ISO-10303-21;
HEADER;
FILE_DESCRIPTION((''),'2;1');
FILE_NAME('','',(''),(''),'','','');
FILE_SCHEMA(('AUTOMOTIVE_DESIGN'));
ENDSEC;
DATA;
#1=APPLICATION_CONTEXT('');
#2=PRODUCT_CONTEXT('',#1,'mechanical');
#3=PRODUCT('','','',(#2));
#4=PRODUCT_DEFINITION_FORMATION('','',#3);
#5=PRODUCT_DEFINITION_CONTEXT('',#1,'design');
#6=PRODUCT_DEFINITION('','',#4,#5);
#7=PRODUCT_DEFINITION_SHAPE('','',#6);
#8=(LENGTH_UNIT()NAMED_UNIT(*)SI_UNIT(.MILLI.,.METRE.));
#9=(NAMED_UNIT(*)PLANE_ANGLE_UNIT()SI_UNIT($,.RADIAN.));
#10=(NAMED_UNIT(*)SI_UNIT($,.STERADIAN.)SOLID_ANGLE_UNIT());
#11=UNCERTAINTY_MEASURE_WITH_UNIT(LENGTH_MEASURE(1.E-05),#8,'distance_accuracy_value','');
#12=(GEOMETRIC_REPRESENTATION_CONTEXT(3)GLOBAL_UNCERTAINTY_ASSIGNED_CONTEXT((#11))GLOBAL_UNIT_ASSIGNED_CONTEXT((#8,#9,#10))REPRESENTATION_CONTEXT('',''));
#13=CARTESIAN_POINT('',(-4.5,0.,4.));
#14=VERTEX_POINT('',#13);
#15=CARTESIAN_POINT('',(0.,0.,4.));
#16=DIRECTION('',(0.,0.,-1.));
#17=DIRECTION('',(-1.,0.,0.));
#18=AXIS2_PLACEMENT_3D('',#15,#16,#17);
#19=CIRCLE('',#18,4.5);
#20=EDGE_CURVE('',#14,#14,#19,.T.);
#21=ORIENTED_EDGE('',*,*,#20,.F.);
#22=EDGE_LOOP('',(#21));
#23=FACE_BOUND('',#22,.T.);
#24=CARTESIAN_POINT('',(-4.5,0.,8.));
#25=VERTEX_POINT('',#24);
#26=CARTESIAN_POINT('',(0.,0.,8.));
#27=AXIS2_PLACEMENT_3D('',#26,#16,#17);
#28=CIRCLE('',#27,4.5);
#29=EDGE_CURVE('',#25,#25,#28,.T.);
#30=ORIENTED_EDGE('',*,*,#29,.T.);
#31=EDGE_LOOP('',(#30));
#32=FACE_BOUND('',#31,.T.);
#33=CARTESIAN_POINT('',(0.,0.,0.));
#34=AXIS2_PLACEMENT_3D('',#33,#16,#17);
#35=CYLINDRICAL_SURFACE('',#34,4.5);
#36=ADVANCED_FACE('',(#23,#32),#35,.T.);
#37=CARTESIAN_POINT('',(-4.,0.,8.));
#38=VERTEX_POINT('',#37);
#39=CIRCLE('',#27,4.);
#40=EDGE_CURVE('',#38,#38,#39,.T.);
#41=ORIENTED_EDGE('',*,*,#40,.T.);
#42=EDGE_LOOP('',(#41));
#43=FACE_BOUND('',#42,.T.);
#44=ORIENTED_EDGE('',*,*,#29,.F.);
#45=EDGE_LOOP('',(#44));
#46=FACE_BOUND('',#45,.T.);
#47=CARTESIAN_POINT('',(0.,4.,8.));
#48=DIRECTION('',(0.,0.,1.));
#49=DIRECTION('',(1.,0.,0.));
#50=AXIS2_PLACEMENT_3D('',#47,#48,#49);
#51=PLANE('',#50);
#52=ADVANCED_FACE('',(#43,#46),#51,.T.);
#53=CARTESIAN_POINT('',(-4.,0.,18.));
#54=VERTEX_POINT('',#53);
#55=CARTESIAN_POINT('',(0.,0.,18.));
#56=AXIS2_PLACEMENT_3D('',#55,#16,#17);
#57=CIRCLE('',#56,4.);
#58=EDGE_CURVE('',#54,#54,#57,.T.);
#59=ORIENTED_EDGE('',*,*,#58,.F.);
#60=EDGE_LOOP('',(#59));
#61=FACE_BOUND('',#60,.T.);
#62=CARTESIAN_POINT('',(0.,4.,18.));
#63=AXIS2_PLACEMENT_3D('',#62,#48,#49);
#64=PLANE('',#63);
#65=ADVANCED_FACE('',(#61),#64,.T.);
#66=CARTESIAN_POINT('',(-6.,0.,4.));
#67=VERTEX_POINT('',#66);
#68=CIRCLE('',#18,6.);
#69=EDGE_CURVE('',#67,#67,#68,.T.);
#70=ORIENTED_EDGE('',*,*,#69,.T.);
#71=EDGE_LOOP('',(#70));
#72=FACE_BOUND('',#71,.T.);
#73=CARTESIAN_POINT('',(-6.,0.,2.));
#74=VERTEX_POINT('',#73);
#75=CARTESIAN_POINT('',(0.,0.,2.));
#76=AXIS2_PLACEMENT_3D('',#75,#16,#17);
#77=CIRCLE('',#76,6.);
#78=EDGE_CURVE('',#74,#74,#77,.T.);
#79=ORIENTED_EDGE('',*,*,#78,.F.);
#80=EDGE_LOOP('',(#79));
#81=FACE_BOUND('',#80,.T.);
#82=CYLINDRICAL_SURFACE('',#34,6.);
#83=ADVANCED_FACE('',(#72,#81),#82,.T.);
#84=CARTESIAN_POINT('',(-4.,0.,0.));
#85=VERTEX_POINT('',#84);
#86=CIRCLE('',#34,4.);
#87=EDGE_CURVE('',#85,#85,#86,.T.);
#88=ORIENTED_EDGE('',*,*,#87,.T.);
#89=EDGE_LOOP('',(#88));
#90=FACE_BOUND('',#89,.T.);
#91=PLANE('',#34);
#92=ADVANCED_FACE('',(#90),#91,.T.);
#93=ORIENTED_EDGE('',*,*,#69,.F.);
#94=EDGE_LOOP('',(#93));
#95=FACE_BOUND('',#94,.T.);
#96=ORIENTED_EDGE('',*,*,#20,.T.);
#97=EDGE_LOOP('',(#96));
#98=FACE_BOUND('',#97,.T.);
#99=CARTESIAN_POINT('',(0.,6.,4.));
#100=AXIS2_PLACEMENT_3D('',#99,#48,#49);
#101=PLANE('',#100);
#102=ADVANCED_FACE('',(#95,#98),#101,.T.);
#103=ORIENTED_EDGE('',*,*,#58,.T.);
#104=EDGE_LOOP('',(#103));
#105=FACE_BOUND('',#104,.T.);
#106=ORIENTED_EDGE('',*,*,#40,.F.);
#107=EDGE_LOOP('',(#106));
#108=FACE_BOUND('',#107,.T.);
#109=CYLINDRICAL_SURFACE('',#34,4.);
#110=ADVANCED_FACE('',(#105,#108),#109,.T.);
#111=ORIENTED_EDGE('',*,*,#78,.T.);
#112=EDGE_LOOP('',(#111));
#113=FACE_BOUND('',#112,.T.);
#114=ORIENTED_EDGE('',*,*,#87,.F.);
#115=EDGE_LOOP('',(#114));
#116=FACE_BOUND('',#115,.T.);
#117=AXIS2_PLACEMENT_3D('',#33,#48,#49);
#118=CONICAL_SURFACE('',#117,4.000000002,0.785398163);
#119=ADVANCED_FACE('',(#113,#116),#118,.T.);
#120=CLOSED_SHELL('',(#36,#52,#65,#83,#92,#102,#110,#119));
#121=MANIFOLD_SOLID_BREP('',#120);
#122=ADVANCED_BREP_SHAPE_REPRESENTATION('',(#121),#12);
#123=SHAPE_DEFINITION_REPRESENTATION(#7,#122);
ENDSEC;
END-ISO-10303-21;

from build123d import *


with BuildPart() as part:
    # Эскиз1 → Повернуть1 (revolve)
    with BuildSketch(Plane(origin=(0, 0, 0), x_dir=(0, 0, -1), z_dir=(1, 0, 0))):
        Polygon((0, 0), (0, 4.000000002), (-2, 6.000000002), (-4, 6.000000002), (-4, 4.5), (-8, 4.5), (-8, 4.000000002), (-18, 4.000000002), (-18, 0), align=None)
    revolve(axis=Axis((0, 0, 0), (0, 0, 1)))


solid = part.part
